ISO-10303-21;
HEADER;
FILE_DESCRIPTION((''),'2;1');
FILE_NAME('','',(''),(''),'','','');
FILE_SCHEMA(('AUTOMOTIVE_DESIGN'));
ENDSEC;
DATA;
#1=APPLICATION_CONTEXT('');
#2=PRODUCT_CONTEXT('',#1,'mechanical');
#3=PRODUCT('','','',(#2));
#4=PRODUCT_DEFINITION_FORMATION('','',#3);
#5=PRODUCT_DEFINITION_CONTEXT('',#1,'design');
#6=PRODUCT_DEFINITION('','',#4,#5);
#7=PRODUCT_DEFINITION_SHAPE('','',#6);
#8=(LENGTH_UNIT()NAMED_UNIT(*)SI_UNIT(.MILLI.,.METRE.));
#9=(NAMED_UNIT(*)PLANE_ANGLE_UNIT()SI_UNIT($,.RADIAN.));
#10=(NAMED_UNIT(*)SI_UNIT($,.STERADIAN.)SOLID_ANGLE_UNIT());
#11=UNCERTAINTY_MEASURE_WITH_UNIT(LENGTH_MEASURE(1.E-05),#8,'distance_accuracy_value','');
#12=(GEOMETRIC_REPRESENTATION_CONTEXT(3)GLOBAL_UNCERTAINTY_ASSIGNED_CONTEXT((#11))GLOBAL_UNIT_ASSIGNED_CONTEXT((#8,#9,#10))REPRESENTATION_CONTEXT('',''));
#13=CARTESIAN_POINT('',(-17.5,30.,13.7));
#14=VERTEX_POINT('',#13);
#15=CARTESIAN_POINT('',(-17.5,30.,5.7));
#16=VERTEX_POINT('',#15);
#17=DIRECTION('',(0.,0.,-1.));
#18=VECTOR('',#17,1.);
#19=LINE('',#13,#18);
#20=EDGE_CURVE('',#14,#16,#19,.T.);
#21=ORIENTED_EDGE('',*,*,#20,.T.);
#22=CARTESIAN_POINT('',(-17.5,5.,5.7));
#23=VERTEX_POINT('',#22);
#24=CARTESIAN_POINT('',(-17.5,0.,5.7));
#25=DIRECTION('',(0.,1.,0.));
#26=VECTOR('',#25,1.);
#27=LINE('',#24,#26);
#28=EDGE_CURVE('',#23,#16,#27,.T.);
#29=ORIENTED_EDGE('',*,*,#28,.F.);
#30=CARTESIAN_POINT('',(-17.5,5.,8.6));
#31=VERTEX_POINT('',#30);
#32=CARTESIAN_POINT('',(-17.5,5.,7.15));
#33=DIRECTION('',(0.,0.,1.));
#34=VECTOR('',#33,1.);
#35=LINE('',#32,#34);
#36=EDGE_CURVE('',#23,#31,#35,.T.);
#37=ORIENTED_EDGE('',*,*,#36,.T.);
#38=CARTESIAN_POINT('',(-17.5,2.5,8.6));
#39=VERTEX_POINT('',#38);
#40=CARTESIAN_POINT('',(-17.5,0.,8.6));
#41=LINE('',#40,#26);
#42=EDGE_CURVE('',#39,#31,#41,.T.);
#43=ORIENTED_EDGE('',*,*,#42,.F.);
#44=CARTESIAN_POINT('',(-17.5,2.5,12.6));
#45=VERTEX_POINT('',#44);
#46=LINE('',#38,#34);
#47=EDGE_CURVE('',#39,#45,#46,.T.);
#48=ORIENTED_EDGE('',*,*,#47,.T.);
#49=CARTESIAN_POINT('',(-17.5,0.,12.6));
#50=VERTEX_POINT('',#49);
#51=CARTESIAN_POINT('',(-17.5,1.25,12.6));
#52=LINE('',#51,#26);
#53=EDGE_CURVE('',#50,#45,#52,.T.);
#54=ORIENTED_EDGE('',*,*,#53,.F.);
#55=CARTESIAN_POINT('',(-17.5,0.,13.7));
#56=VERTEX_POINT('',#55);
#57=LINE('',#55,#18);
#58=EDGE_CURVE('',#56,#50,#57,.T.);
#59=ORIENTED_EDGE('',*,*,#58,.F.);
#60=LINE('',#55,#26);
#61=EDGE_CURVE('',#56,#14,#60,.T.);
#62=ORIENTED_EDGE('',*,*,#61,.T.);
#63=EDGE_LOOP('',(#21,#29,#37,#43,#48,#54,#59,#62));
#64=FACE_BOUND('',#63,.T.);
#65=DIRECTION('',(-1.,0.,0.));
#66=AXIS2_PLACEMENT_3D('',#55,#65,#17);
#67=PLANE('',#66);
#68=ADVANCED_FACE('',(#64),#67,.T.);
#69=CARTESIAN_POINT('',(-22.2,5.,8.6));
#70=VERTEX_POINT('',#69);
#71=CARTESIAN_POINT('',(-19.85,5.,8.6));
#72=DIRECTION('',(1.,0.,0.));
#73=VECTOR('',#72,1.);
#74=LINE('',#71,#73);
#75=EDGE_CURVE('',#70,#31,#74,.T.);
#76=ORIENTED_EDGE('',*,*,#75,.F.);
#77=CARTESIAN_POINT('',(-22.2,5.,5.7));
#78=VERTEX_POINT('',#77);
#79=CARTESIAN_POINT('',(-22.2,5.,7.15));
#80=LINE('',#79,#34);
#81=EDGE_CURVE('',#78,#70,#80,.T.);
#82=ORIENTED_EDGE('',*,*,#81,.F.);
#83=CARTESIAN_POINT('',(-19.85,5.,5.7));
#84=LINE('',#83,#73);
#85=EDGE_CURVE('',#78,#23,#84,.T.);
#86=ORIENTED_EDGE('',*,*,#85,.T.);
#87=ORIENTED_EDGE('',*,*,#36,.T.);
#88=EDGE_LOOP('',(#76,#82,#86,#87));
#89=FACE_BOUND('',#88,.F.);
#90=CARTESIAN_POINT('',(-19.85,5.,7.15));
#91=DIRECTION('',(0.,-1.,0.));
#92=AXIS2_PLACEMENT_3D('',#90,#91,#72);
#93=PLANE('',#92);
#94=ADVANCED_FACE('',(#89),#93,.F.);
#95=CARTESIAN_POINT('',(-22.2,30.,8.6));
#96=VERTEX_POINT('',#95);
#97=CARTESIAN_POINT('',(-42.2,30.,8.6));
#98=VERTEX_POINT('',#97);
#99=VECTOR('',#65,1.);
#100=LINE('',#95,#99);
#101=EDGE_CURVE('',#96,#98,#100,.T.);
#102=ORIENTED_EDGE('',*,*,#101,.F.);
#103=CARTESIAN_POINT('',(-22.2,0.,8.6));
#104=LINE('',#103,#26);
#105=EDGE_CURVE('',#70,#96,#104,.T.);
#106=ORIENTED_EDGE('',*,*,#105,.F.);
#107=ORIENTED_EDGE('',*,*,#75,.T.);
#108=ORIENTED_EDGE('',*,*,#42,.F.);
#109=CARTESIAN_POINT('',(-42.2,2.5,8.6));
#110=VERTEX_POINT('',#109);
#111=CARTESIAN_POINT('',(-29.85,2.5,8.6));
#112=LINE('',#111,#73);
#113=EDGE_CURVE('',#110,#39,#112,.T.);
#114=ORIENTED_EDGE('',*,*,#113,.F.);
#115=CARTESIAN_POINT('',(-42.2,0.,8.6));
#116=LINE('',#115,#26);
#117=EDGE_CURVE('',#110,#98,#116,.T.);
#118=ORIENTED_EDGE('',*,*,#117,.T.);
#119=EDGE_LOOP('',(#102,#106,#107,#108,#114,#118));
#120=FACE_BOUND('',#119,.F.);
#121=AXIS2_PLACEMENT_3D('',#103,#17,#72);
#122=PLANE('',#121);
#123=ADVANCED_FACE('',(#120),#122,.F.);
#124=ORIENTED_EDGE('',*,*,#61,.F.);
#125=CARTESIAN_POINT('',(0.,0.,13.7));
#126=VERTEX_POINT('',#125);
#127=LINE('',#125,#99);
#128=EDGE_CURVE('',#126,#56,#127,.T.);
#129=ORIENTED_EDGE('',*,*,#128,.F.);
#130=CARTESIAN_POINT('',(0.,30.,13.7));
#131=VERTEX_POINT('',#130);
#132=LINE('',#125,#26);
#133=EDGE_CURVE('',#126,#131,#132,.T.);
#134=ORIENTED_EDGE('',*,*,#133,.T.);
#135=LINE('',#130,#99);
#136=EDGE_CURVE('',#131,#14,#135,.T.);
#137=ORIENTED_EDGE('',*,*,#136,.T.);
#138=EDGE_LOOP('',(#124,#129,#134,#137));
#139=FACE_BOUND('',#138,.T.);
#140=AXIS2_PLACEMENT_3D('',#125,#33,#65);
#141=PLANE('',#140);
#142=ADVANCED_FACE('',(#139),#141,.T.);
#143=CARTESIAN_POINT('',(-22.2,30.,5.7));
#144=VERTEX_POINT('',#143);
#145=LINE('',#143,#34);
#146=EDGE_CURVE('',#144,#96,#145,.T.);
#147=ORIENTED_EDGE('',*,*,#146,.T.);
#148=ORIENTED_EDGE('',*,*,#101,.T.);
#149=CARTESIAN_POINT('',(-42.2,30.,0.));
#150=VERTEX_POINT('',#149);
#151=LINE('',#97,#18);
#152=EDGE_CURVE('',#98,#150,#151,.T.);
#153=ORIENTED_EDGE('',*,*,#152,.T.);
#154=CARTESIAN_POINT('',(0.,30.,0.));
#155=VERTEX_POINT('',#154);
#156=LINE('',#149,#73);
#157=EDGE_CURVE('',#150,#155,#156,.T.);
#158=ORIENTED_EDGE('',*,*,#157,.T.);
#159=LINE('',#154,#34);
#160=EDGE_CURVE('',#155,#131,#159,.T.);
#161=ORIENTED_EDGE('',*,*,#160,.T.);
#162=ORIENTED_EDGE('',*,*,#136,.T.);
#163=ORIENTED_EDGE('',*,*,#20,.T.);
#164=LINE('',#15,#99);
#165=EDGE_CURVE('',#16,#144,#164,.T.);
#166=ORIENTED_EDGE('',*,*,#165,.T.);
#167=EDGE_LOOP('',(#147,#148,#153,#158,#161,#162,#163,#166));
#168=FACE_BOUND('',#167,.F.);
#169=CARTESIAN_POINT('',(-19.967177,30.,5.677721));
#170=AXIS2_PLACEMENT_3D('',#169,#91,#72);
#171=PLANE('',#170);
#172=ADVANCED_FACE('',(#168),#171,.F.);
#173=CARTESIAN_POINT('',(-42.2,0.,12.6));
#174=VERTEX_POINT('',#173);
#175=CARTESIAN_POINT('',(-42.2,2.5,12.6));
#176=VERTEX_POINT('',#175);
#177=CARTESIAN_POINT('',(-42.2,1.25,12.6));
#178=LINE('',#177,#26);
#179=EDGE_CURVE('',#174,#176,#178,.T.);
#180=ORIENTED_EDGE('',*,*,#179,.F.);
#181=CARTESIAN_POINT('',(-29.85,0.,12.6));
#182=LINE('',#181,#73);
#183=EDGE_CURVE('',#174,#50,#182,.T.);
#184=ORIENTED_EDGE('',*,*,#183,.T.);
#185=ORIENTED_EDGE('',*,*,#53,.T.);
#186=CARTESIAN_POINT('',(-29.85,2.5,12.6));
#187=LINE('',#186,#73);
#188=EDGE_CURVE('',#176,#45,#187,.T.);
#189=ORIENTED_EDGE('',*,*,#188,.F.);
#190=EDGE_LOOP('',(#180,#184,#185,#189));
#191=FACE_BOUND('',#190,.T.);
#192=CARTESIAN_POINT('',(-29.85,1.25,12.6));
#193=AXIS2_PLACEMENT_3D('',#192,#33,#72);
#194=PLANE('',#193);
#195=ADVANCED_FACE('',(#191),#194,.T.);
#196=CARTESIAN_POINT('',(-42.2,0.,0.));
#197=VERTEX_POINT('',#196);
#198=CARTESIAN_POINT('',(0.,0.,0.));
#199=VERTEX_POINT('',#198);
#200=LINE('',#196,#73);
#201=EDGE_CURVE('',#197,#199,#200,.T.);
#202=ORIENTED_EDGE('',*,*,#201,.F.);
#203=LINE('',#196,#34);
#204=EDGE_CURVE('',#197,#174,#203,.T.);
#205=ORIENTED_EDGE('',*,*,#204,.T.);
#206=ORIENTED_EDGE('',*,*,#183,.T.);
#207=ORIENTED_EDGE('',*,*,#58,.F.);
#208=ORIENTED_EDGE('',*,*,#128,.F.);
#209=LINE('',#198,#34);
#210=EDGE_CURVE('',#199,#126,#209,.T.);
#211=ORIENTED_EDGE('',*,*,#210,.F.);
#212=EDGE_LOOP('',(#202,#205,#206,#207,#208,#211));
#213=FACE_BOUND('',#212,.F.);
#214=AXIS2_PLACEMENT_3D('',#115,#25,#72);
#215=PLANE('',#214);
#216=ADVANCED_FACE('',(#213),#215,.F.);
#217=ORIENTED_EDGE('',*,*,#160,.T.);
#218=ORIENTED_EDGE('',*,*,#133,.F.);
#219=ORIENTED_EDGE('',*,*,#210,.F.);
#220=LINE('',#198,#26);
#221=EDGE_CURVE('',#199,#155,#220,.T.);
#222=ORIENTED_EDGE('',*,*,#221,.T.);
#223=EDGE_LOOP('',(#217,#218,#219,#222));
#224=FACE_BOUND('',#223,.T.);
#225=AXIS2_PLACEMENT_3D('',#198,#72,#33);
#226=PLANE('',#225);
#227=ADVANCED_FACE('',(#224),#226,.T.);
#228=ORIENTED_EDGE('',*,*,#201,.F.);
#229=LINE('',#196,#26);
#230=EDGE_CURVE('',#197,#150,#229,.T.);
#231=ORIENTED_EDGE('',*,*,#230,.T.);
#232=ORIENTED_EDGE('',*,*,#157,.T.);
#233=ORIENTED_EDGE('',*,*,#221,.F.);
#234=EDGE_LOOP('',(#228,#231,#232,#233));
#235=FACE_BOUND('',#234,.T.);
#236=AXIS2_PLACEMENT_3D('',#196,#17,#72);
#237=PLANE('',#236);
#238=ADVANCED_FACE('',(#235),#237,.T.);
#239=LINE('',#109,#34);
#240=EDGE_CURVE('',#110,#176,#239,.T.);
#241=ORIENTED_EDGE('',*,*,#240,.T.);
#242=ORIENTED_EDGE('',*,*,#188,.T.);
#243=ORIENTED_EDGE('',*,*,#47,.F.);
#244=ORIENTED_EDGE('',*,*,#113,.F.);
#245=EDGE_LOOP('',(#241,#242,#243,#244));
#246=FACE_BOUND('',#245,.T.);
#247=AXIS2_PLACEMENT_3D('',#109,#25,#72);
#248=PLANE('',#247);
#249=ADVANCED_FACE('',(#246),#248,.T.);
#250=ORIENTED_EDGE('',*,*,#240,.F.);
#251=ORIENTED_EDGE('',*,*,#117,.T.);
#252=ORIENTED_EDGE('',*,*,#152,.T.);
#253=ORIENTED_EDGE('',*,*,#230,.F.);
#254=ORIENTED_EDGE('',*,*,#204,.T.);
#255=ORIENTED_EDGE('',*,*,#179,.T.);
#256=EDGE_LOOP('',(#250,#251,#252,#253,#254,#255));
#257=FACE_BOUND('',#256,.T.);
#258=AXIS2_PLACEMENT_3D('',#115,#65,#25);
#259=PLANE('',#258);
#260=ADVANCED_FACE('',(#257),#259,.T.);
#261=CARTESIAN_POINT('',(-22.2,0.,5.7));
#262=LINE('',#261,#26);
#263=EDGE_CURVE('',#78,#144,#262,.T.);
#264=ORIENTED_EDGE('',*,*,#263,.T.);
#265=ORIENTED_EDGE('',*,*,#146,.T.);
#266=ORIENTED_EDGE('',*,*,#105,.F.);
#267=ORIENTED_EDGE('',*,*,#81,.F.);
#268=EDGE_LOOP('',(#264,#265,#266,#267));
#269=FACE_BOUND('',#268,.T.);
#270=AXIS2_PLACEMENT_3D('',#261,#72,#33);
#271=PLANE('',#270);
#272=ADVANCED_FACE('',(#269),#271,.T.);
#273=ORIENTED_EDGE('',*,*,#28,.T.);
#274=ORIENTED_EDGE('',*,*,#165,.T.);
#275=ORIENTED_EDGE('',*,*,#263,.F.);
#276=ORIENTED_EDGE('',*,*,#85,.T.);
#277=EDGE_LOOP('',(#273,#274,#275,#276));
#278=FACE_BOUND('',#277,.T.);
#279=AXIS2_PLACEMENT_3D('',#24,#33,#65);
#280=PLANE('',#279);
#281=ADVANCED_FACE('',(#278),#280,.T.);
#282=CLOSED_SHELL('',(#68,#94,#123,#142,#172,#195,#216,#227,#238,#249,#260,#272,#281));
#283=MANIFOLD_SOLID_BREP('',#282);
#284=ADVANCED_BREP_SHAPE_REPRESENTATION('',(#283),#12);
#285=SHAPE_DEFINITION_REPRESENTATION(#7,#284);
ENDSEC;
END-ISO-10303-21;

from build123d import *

# Parameters (mm, degrees)
F1_DEPTH = 30
F0_W     = 4.7
F0_H     = 2.9
F2_DEPTH = 5
F3_W     = 24.7
F3_H     = 2.5
F4_DEPTH = 4


with BuildPart() as f1:
    # F0 (on Front) → F1 (new body)
    with BuildSketch(Plane.XZ):
        Polygon((-42.2, 0), (0, 0), (0, 13.7), (-17.5, 13.7), (-17.5, 8.6), (-17.5, 5.7), (-22.2, 5.7), (-22.2, 8.6), (-42.2, 8.6), align=None)
    extrude(amount=-F1_DEPTH)

    # F0 (on Front) → F2 (join)
    with BuildSketch(Plane.XZ):
        with Locations((-19.85, 7.15)):
            Rectangle(F0_W, F0_H)
    extrude(amount=-F2_DEPTH)

    # F3 (on face) → F4 (join)
    with BuildSketch(Plane.XY.offset(8.6)):
        with Locations((-29.85, 1.25)):
            Rectangle(F3_W, F3_H)
    extrude(amount=F4_DEPTH)


solid = f1.part
